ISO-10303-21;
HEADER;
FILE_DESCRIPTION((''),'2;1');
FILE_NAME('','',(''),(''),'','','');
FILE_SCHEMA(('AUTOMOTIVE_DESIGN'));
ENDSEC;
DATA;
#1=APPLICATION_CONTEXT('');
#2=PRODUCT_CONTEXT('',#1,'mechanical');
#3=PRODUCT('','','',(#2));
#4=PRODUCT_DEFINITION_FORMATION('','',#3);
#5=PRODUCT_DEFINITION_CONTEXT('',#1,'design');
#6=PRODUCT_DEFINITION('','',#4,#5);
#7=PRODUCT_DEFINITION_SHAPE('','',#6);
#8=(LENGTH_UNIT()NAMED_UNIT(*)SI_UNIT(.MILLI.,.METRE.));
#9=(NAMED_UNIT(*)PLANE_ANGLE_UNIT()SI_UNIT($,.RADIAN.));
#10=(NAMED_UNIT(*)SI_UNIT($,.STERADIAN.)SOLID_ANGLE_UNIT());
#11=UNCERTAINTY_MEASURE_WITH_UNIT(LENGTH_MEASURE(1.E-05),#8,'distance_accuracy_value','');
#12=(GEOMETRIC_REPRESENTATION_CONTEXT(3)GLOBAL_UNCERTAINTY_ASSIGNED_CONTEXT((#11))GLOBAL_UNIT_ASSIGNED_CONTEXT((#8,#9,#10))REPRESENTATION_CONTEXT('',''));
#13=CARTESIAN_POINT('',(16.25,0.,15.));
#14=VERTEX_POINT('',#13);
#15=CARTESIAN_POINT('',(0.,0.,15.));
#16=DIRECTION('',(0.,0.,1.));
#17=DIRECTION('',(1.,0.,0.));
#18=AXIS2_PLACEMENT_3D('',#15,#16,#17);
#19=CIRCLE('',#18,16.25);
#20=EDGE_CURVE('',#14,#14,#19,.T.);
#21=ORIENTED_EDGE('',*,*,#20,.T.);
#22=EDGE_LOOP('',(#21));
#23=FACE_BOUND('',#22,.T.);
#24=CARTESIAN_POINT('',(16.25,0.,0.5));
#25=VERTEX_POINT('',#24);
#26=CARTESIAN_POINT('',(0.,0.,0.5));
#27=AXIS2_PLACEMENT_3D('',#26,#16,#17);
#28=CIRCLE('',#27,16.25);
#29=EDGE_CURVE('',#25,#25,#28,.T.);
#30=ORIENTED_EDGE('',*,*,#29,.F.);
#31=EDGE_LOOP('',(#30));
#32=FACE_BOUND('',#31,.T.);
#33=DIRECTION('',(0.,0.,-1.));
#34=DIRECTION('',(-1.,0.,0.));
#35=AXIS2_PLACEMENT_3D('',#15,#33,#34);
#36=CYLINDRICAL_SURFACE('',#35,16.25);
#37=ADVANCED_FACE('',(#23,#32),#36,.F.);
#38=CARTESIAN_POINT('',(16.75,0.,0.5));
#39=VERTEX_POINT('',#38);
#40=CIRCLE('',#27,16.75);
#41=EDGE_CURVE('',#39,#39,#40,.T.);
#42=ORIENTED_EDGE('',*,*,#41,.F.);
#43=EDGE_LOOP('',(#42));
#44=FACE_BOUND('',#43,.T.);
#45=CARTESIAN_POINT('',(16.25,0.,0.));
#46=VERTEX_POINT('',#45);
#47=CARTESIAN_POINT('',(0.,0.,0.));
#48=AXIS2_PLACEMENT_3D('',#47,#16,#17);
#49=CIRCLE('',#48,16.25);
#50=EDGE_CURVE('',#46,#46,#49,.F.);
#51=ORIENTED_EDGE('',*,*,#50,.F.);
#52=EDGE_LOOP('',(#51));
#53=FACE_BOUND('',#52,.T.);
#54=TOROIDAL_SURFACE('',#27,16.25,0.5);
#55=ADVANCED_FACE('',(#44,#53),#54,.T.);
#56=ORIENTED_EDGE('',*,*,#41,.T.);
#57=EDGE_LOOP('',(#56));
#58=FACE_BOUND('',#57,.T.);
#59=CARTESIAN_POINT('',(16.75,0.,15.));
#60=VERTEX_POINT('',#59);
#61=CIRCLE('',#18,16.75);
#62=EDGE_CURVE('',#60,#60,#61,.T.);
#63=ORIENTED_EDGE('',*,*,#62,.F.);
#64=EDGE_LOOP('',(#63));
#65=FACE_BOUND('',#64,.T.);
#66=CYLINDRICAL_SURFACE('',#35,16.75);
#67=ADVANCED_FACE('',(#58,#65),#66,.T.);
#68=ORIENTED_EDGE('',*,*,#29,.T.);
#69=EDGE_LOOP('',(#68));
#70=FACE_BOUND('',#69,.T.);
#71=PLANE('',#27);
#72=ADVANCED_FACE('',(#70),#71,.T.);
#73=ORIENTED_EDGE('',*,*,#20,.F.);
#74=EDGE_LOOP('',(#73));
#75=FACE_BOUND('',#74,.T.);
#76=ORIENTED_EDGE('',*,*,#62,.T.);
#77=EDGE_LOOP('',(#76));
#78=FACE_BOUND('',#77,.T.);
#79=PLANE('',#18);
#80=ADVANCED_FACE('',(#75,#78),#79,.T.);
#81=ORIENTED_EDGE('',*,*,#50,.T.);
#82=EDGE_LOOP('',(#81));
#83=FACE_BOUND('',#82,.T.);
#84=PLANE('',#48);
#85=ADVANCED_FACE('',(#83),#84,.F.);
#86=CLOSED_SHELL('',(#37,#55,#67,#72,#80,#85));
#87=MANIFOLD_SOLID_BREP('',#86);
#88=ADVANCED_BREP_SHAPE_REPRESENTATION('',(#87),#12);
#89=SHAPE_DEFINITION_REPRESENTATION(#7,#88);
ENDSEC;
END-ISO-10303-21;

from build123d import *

# Parameters (mm, degrees)
SKETCH1_R           = 16.75
BOSS_EXTRUDE1_DEPTH = 15
SHELL2_T            = -0.5
FILLET1_R           = 0.5


with BuildPart() as part:
    # Sketch1 → Boss-Extrude1 (new body)
    with BuildSketch(Plane.XY):
        Circle(SKETCH1_R)
    extrude(amount=BOSS_EXTRUDE1_DEPTH)

    # Shell2
    shell2_openings = [part.faces().sort_by_distance(p)[0] for p in [
        (0, 0, 15),
    ]]
    offset(amount=SHELL2_T, openings=shell2_openings, kind=Kind.INTERSECTION)

    # Fillet1
    fillet1_edges = [part.edges().sort_by_distance(p)[0] for p in [
        (-16.75, 0, 0),
    ]]
    fillet(fillet1_edges, radius=FILLET1_R)


solid = part.part
